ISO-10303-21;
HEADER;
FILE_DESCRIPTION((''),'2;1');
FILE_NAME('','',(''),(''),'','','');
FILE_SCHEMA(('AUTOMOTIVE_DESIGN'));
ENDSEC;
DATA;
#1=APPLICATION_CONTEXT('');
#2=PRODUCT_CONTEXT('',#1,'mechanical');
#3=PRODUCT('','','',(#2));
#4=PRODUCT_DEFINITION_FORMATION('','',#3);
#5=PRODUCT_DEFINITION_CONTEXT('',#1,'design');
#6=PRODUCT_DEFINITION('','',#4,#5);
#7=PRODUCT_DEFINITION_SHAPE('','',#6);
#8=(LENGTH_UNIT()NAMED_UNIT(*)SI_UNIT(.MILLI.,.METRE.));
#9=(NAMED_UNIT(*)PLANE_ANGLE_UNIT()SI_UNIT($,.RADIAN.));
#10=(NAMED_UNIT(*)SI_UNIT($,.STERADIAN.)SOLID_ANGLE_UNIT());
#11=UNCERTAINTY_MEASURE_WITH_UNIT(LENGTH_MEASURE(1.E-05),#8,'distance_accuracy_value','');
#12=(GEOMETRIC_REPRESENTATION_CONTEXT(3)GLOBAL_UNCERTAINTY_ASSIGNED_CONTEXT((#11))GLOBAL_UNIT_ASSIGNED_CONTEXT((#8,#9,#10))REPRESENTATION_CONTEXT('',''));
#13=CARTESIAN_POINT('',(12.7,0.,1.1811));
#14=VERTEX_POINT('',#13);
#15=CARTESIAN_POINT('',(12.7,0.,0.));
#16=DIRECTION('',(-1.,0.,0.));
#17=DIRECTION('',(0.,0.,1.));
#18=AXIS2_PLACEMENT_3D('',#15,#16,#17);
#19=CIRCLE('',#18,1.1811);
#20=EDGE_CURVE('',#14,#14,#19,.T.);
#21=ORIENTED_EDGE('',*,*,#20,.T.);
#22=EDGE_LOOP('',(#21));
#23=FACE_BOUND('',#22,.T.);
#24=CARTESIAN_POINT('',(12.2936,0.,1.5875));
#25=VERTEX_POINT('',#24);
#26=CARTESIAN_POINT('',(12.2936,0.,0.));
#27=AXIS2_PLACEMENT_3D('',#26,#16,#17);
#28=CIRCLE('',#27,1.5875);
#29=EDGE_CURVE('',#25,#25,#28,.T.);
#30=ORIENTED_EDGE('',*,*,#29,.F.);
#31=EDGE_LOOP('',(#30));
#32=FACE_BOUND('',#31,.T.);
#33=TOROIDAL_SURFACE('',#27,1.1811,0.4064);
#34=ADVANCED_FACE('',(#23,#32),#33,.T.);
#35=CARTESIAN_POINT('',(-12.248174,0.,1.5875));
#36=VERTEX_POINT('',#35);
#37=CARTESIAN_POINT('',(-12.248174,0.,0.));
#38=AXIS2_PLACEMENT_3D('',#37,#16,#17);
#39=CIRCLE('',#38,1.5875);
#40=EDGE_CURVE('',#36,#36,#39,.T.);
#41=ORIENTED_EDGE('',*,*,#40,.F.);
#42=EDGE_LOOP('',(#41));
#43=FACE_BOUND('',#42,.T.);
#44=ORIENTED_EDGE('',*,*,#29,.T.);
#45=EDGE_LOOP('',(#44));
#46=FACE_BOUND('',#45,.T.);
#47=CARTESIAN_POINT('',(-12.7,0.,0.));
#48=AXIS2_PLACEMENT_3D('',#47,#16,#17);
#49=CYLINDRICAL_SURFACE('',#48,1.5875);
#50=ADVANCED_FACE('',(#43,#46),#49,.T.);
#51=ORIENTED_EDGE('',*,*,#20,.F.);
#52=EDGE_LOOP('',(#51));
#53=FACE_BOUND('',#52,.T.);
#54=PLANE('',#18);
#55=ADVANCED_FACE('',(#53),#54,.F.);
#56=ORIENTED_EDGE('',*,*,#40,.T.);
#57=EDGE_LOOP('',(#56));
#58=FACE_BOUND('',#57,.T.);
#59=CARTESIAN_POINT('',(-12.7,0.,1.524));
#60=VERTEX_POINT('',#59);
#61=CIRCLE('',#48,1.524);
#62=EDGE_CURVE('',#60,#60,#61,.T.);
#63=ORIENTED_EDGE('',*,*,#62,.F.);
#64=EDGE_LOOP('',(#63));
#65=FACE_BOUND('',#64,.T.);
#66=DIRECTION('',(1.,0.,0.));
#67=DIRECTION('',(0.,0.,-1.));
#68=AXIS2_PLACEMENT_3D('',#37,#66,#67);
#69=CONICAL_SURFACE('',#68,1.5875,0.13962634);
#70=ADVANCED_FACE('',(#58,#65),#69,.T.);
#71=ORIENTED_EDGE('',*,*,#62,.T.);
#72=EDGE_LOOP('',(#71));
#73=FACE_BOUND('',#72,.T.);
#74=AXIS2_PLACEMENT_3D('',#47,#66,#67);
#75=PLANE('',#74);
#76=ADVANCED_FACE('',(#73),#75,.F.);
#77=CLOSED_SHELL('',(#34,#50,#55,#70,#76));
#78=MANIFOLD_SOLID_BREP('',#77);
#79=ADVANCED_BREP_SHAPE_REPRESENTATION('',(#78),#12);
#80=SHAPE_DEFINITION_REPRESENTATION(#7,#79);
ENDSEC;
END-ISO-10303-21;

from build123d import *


with BuildPart() as part:
    # Sketch3 → Revolve1 (revolve)
    with BuildSketch(Plane.XY):
        with BuildLine():
            Line((-12.7, 0), (12.7, 0))
            Line((12.7, 0), (12.7, 1.1811))
            ThreePointArc((12.7, 1.1811), (12.580968196, 1.468468196), (12.2936, 1.5875))
            Line((12.2936, 1.5875), (-12.248174023, 1.5875))
            Line((-12.248174023, 1.5875), (-12.7, 1.524))
            Line((-12.7, 1.524), (-12.7, 0))
        make_face()
    revolve(axis=Axis((-12.7, 0, 0), (1, 0, 0)))


solid = part.part
